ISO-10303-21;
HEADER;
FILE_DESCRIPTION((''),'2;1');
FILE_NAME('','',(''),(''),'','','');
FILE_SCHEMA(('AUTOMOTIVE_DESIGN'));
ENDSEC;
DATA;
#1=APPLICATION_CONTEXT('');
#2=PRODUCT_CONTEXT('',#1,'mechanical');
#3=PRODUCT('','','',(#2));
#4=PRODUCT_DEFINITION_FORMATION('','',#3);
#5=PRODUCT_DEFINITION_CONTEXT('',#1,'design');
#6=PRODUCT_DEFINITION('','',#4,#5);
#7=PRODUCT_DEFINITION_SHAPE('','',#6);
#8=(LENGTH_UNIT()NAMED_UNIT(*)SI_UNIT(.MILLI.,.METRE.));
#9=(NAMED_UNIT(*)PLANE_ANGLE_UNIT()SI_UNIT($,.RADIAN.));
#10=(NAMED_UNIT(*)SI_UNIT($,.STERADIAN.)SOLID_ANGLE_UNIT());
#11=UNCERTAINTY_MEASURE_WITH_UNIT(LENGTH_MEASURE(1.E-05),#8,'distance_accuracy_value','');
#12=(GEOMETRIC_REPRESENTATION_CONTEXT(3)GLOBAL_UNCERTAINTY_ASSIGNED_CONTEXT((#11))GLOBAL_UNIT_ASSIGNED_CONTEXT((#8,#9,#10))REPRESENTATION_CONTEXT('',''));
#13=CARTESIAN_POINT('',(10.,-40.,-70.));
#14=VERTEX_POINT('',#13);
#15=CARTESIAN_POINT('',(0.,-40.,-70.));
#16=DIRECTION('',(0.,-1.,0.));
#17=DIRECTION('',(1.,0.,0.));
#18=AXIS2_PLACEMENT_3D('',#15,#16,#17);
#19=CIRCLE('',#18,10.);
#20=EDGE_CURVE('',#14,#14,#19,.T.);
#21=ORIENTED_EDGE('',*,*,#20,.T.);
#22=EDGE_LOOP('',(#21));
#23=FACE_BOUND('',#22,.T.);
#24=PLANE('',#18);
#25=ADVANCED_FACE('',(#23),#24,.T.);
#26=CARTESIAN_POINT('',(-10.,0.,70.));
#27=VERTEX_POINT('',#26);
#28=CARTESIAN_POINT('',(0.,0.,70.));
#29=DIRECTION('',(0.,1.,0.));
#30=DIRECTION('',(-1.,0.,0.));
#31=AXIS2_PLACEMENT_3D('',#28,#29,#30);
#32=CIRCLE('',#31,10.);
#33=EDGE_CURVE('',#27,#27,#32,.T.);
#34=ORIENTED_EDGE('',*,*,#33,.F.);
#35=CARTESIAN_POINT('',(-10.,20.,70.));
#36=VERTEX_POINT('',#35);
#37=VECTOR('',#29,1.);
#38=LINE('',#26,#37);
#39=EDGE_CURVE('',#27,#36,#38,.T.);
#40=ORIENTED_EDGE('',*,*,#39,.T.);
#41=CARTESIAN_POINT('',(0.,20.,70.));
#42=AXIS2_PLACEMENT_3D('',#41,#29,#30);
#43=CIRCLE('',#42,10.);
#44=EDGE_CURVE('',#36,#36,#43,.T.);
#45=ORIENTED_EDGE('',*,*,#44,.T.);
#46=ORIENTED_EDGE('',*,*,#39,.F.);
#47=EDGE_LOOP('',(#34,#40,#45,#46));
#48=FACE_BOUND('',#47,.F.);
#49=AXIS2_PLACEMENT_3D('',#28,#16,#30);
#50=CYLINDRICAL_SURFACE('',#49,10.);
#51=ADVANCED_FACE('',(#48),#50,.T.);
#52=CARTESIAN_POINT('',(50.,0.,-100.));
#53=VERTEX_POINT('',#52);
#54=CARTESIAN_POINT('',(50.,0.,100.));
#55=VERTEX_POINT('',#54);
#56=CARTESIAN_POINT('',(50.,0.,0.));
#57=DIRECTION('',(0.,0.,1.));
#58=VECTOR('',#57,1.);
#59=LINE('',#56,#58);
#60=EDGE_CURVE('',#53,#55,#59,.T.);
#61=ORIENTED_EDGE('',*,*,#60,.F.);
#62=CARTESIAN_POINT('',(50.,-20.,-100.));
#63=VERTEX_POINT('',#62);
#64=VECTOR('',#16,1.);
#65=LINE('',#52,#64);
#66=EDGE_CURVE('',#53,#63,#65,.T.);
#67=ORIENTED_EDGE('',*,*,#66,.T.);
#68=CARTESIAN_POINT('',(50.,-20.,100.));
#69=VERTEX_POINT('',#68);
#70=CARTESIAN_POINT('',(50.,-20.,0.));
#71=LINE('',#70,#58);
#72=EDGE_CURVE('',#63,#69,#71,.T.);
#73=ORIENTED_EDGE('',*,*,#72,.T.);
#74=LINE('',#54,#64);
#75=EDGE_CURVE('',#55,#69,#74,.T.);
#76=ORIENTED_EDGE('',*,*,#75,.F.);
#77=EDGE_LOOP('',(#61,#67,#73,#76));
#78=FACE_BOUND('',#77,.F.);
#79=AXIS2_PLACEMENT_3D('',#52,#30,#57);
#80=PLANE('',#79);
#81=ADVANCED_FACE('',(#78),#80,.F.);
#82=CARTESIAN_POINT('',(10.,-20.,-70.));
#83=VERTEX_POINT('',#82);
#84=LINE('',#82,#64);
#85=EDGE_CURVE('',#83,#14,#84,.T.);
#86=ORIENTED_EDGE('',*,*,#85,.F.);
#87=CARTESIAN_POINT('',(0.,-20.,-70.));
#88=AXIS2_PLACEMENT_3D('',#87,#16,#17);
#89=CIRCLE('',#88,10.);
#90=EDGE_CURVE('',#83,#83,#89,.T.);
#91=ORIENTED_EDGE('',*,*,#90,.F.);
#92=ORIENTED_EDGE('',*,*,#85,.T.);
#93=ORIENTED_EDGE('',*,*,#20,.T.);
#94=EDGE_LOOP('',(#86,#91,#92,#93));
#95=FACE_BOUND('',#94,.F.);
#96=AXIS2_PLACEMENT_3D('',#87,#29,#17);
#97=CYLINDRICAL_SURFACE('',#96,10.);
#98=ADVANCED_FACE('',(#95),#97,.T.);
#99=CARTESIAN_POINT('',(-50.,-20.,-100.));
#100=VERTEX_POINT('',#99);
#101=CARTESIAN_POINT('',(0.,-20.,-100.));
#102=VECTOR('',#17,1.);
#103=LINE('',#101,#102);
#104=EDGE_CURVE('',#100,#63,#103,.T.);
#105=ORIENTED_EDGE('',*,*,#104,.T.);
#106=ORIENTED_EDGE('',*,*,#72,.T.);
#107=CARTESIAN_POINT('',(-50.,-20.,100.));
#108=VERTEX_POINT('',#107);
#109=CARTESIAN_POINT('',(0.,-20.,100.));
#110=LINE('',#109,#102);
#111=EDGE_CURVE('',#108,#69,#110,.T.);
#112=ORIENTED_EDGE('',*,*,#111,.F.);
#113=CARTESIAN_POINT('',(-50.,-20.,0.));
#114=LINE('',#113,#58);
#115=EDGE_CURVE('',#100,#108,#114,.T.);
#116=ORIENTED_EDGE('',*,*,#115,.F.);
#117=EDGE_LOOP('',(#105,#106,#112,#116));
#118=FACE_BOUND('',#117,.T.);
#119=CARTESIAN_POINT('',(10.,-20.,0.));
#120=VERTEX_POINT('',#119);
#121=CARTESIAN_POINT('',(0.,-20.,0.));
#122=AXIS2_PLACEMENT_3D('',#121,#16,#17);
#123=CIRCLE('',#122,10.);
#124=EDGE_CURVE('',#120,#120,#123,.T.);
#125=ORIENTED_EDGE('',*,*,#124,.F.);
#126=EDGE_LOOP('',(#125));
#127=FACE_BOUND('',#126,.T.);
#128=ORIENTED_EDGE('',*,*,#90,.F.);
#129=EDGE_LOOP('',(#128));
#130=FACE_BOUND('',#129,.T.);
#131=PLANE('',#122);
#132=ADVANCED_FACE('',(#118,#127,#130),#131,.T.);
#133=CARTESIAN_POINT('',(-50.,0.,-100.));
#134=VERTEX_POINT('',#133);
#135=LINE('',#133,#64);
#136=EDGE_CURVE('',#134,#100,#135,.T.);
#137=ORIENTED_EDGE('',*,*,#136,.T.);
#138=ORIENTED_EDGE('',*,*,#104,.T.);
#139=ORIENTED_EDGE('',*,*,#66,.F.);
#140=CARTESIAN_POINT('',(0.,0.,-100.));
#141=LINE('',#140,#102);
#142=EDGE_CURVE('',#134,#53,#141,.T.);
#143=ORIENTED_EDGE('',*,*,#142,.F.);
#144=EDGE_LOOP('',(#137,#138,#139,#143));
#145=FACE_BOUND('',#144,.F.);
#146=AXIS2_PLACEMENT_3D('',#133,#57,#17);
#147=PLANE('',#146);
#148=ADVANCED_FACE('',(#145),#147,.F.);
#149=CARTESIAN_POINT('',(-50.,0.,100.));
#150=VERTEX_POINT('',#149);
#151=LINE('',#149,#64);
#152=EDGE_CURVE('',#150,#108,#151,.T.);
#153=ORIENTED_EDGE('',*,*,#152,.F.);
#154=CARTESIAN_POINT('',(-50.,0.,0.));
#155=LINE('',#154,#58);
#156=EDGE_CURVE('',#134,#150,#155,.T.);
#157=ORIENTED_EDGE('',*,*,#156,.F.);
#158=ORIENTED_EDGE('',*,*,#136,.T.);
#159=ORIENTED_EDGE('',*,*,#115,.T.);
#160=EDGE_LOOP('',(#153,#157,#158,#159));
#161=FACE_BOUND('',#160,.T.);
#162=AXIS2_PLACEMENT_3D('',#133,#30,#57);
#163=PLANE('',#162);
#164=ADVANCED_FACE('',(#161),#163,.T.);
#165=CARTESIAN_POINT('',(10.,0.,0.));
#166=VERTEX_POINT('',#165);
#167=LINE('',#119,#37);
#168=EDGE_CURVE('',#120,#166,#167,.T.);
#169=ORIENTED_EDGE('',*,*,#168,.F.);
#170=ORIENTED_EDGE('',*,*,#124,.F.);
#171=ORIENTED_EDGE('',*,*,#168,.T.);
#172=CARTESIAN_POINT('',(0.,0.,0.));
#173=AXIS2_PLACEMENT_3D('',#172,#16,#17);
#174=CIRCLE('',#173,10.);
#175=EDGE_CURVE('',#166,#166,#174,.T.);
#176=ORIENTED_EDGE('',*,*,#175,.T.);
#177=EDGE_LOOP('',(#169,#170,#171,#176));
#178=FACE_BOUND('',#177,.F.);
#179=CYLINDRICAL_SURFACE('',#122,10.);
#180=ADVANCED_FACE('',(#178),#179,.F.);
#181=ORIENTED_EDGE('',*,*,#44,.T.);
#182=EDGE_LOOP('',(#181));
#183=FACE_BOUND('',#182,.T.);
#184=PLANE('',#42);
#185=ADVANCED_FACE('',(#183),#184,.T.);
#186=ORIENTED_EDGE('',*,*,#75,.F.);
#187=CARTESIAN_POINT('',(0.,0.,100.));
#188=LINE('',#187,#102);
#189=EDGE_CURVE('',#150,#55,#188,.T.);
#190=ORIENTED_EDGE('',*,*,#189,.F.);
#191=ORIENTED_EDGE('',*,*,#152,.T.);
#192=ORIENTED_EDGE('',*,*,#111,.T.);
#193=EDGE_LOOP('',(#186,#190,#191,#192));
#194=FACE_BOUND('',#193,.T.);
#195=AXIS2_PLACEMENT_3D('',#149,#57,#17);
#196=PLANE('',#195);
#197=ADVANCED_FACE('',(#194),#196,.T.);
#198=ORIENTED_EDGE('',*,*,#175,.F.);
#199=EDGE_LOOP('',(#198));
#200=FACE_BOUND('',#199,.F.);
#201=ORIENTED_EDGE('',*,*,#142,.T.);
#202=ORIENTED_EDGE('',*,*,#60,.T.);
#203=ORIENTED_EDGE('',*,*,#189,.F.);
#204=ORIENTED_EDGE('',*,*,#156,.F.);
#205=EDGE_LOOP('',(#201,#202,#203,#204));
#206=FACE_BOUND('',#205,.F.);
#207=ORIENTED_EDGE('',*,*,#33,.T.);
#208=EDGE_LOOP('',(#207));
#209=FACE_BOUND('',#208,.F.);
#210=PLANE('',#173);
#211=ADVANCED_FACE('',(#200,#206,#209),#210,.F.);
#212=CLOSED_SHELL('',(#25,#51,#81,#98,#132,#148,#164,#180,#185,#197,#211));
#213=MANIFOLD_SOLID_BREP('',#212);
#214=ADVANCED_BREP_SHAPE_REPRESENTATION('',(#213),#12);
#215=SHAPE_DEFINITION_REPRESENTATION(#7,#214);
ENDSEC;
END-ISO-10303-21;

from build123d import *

# Parameters (mm, degrees)
F0_W     = 100
F0_H     = 200
F1_DEPTH = 20
F2_R     = 10
F3_DEPTH = 20.001
F4_R     = 10
F5_DEPTH = 20
F6_R     = 10
F7_DEPTH = 20


with BuildPart() as f1:
    # F0 (on Front) → F1 (new body)
    with BuildSketch(Plane.XZ):
        Rectangle(F0_W, F0_H)
    extrude(amount=F1_DEPTH)

    # F2 (on face) → F3 (cut, through all)
    with BuildSketch(Plane.XZ.offset(20)):
        Circle(F2_R)
    extrude(amount=-F3_DEPTH, mode=Mode.SUBTRACT)

    # F4 (on face) → F5 (join)
    with BuildSketch(Plane.XZ.offset(20)):
        with Locations((0, -70)):
            Circle(F4_R)
    extrude(amount=F5_DEPTH)

    # F6 (on face) → F7 (join)
    with BuildSketch(Plane(origin=(0, 0, 0), x_dir=(-1, 0, 0), z_dir=(0, 1, 0))):
        with Locations((0, 70)):
            Circle(F6_R)
    extrude(amount=F7_DEPTH)


solid = f1.part
